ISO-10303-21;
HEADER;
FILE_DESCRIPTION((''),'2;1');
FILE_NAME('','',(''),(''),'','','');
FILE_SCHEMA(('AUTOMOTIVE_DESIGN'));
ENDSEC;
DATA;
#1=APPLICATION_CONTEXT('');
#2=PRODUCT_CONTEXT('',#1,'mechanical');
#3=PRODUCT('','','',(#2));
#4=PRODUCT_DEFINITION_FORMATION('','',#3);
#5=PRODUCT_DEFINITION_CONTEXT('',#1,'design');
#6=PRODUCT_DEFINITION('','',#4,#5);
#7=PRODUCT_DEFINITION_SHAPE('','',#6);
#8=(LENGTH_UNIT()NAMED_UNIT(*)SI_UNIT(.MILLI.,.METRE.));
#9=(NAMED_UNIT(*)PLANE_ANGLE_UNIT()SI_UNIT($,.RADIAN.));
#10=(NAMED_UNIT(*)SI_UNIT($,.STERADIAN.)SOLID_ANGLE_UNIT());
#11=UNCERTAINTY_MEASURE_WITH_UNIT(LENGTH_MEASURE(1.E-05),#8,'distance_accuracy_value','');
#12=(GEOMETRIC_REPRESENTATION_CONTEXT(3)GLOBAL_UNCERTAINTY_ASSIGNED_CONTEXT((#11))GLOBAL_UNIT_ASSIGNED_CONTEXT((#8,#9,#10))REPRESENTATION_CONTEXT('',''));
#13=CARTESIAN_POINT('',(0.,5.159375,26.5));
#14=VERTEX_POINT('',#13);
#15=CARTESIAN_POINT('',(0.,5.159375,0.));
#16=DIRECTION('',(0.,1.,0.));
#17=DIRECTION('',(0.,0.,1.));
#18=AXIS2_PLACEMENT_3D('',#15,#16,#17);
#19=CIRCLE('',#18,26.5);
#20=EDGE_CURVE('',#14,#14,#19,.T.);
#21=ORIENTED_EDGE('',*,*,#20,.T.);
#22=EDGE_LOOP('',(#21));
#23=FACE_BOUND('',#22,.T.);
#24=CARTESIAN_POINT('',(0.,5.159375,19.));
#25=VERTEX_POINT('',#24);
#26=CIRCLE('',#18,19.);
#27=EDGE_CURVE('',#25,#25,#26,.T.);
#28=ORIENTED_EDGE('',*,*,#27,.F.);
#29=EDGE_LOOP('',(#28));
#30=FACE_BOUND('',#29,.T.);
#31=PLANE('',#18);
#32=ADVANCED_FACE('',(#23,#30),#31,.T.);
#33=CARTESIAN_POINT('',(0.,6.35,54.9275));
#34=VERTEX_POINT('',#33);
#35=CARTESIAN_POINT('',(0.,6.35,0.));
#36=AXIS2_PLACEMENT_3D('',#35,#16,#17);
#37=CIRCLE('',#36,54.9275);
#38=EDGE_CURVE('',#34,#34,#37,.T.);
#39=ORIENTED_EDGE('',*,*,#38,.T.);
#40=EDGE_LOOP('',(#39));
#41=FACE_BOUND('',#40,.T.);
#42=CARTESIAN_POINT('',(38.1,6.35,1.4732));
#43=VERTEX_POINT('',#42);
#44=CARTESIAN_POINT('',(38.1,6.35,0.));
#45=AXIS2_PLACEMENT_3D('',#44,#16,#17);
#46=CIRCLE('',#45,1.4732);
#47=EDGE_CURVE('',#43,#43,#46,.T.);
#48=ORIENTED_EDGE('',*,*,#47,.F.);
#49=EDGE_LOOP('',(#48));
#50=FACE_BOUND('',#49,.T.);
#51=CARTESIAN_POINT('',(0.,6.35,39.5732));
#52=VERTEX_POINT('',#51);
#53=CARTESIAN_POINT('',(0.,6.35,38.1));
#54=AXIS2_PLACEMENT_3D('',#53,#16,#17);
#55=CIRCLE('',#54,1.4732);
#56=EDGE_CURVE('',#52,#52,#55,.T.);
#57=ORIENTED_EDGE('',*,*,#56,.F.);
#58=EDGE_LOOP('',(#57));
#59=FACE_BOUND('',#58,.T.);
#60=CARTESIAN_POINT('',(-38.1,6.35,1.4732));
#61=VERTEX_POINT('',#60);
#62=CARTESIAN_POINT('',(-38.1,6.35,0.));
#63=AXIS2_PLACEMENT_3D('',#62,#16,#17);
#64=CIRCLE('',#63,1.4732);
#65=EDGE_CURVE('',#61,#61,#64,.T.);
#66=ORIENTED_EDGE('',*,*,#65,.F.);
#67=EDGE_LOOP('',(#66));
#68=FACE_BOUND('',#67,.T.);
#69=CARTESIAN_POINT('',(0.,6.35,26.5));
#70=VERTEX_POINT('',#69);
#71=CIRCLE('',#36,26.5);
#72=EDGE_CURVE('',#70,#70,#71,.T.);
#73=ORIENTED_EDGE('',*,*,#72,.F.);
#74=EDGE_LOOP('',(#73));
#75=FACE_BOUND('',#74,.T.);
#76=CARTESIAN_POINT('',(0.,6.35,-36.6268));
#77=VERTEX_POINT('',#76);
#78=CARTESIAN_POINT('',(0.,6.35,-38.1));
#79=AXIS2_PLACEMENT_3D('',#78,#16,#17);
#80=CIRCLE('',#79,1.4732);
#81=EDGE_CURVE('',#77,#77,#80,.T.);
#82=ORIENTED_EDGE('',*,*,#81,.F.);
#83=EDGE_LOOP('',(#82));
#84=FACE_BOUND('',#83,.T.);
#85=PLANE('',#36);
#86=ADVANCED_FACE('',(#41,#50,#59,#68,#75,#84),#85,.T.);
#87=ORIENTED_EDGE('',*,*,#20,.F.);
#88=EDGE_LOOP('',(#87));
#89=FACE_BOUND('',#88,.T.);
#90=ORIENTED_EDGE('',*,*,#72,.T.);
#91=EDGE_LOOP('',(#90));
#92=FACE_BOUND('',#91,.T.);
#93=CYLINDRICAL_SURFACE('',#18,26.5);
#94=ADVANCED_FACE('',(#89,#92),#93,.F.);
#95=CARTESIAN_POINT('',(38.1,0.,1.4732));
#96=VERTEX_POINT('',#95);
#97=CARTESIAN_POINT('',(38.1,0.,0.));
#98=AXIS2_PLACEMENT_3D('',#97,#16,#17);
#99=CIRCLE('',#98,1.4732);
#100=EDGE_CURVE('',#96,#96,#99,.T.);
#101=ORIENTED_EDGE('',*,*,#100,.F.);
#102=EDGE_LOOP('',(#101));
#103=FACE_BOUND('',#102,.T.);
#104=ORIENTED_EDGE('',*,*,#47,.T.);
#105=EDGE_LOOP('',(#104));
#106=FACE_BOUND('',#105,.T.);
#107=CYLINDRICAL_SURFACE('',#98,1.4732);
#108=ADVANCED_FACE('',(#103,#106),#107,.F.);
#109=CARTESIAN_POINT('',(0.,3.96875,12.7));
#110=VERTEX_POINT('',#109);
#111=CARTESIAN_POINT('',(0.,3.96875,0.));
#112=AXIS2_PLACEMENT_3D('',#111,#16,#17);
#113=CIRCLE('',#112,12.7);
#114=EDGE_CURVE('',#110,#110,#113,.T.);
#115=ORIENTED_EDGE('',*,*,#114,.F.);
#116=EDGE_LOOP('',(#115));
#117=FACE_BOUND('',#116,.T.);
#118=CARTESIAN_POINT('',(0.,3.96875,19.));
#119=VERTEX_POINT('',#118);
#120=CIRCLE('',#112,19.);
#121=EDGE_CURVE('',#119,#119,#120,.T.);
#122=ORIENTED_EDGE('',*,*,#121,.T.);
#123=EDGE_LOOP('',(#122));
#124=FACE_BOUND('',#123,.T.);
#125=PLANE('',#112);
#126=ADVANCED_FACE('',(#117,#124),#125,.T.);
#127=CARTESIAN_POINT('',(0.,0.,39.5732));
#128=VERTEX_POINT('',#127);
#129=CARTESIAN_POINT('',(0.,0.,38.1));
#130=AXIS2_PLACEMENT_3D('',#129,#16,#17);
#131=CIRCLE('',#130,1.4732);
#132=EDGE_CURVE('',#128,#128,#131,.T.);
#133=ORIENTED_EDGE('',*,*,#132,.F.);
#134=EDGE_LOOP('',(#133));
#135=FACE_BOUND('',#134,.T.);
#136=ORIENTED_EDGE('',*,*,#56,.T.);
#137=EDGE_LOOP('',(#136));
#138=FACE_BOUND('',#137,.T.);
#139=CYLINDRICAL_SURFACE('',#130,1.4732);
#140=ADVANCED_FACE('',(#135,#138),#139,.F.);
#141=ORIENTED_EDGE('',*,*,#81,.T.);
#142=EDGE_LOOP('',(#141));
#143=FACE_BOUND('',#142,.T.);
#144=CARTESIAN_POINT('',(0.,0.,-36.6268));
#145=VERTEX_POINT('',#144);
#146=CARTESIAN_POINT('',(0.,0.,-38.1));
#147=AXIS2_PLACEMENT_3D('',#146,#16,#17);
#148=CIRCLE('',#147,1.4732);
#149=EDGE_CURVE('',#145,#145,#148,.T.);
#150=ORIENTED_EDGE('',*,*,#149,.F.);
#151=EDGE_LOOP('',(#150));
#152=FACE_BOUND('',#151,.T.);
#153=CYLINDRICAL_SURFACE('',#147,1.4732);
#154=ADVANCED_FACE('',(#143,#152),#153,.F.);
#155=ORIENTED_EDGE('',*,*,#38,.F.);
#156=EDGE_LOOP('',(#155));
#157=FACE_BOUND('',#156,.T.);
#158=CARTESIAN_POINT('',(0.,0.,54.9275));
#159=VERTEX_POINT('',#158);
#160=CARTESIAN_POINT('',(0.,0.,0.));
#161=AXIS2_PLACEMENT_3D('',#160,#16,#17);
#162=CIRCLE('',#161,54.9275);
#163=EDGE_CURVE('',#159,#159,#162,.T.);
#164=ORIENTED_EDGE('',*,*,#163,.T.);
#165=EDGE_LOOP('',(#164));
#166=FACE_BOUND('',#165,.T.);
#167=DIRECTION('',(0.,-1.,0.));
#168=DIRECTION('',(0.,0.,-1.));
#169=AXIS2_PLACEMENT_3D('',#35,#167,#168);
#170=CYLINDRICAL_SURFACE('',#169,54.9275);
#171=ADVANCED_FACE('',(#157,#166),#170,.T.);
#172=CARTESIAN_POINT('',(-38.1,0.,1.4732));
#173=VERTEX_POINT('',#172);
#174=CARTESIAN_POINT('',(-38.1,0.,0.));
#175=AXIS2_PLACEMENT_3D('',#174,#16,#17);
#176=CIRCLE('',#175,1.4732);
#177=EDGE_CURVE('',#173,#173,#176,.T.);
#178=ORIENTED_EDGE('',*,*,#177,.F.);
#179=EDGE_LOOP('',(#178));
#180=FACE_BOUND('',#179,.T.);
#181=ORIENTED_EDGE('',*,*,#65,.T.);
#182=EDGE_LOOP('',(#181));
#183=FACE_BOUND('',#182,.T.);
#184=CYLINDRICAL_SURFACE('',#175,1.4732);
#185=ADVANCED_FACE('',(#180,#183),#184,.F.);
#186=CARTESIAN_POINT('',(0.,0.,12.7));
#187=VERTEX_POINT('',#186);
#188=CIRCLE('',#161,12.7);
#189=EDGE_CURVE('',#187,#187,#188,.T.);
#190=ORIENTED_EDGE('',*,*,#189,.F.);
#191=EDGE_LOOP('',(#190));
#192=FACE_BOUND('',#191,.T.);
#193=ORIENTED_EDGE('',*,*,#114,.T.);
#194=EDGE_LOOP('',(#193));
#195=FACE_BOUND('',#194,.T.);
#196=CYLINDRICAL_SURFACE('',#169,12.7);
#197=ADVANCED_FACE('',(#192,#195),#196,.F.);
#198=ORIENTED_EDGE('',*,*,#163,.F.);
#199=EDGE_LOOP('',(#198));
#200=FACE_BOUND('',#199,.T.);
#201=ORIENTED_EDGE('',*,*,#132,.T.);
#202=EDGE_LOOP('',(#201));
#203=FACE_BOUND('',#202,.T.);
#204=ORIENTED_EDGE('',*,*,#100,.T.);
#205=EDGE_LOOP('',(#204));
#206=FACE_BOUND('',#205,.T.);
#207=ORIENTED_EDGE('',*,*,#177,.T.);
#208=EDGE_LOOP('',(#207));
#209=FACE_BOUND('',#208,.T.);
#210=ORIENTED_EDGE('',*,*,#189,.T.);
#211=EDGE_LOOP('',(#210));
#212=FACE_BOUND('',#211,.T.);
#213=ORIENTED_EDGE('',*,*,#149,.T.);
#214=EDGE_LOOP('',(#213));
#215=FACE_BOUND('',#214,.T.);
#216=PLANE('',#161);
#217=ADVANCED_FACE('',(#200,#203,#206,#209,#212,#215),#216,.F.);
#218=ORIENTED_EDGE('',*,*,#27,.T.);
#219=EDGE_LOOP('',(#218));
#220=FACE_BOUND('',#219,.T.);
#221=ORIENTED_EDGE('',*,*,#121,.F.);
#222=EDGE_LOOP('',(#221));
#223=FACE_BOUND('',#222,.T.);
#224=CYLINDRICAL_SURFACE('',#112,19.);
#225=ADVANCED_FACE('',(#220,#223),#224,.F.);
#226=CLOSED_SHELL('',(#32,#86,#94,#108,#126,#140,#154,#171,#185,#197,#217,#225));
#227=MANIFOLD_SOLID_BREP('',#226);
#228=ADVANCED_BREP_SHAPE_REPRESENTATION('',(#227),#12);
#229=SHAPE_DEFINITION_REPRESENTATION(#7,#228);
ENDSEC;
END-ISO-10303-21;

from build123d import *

# Parameters (mm, degrees)
SKETCH1_R           = 54.9275
SKETCH1_R_2         = 12.7
BOSS_EXTRUDE1_DEPTH = 6.35
SKETCH2_R           = 26.5
CUT_EXTRUDE1_DEPTH  = 1.190625
SKETCH3_R           = 19
CUT_EXTRUDE2_DEPTH  = 2.38125
SKETCH4_R           = 1.4732
CUT_EXTRUDE3_DEPTH  = 7.35


with BuildPart() as part:
    # Sketch1 → Boss-Extrude1 (new body)
    with BuildSketch(Plane(origin=(0, 0, 0), x_dir=(1, 0, 0), z_dir=(0, 1, 0))):
        with Locations(Location((0, 0, 0), (0, 0, 270))):  # turned: the seam where the file's is
            Circle(SKETCH1_R)
        with Locations(Location((0, 0, 0), (0, 0, 270))):  # turned: the seam where the file's is
            Circle(SKETCH1_R_2, mode=Mode.SUBTRACT)
    extrude(amount=BOSS_EXTRUDE1_DEPTH)

    # Sketch2 → Cut-Extrude1 (cut)
    with BuildSketch(Plane(origin=(0, 6.35, 0), x_dir=(1, 0, 0), z_dir=(0, 1, 0))):
        with Locations(Location((0, 0, 0), (0, 0, 270))):  # turned: the seam where the file's is
            Circle(SKETCH2_R)
    extrude(amount=-CUT_EXTRUDE1_DEPTH, mode=Mode.SUBTRACT)

    # Sketch3 → Cut-Extrude2 (cut)
    with BuildSketch(Plane(origin=(0, 6.35, 0), x_dir=(1, 0, 0), z_dir=(0, 1, 0))):
        with Locations(Location((0, 0, 0), (0, 0, 270))):  # turned: the seam where the file's is
            Circle(SKETCH3_R)
    extrude(amount=-CUT_EXTRUDE2_DEPTH, mode=Mode.SUBTRACT)

    # Sketch4 → Cut-Extrude3 (cut, through all)
    with BuildSketch(Plane(origin=(0, 6.35, 0), x_dir=(-1, 0, 0), z_dir=(0, 1, 0))):
        with Locations(Location((-38.1, 0, 0), (0, 0, 90))):  # turned: the seam where the file's is
            Circle(SKETCH4_R)
        with Locations(Location((0, -38.1, 0), (0, 0, 90))):  # turned: the seam where the file's is
            Circle(SKETCH4_R)
        with Locations(Location((38.1, 0, 0), (0, 0, 90))):  # turned: the seam where the file's is
            Circle(SKETCH4_R)
        with Locations(Location((0, 38.1, 0), (0, 0, 90))):  # turned: the seam where the file's is
            Circle(SKETCH4_R)
    extrude(amount=-CUT_EXTRUDE3_DEPTH, mode=Mode.SUBTRACT)


solid = part.part
